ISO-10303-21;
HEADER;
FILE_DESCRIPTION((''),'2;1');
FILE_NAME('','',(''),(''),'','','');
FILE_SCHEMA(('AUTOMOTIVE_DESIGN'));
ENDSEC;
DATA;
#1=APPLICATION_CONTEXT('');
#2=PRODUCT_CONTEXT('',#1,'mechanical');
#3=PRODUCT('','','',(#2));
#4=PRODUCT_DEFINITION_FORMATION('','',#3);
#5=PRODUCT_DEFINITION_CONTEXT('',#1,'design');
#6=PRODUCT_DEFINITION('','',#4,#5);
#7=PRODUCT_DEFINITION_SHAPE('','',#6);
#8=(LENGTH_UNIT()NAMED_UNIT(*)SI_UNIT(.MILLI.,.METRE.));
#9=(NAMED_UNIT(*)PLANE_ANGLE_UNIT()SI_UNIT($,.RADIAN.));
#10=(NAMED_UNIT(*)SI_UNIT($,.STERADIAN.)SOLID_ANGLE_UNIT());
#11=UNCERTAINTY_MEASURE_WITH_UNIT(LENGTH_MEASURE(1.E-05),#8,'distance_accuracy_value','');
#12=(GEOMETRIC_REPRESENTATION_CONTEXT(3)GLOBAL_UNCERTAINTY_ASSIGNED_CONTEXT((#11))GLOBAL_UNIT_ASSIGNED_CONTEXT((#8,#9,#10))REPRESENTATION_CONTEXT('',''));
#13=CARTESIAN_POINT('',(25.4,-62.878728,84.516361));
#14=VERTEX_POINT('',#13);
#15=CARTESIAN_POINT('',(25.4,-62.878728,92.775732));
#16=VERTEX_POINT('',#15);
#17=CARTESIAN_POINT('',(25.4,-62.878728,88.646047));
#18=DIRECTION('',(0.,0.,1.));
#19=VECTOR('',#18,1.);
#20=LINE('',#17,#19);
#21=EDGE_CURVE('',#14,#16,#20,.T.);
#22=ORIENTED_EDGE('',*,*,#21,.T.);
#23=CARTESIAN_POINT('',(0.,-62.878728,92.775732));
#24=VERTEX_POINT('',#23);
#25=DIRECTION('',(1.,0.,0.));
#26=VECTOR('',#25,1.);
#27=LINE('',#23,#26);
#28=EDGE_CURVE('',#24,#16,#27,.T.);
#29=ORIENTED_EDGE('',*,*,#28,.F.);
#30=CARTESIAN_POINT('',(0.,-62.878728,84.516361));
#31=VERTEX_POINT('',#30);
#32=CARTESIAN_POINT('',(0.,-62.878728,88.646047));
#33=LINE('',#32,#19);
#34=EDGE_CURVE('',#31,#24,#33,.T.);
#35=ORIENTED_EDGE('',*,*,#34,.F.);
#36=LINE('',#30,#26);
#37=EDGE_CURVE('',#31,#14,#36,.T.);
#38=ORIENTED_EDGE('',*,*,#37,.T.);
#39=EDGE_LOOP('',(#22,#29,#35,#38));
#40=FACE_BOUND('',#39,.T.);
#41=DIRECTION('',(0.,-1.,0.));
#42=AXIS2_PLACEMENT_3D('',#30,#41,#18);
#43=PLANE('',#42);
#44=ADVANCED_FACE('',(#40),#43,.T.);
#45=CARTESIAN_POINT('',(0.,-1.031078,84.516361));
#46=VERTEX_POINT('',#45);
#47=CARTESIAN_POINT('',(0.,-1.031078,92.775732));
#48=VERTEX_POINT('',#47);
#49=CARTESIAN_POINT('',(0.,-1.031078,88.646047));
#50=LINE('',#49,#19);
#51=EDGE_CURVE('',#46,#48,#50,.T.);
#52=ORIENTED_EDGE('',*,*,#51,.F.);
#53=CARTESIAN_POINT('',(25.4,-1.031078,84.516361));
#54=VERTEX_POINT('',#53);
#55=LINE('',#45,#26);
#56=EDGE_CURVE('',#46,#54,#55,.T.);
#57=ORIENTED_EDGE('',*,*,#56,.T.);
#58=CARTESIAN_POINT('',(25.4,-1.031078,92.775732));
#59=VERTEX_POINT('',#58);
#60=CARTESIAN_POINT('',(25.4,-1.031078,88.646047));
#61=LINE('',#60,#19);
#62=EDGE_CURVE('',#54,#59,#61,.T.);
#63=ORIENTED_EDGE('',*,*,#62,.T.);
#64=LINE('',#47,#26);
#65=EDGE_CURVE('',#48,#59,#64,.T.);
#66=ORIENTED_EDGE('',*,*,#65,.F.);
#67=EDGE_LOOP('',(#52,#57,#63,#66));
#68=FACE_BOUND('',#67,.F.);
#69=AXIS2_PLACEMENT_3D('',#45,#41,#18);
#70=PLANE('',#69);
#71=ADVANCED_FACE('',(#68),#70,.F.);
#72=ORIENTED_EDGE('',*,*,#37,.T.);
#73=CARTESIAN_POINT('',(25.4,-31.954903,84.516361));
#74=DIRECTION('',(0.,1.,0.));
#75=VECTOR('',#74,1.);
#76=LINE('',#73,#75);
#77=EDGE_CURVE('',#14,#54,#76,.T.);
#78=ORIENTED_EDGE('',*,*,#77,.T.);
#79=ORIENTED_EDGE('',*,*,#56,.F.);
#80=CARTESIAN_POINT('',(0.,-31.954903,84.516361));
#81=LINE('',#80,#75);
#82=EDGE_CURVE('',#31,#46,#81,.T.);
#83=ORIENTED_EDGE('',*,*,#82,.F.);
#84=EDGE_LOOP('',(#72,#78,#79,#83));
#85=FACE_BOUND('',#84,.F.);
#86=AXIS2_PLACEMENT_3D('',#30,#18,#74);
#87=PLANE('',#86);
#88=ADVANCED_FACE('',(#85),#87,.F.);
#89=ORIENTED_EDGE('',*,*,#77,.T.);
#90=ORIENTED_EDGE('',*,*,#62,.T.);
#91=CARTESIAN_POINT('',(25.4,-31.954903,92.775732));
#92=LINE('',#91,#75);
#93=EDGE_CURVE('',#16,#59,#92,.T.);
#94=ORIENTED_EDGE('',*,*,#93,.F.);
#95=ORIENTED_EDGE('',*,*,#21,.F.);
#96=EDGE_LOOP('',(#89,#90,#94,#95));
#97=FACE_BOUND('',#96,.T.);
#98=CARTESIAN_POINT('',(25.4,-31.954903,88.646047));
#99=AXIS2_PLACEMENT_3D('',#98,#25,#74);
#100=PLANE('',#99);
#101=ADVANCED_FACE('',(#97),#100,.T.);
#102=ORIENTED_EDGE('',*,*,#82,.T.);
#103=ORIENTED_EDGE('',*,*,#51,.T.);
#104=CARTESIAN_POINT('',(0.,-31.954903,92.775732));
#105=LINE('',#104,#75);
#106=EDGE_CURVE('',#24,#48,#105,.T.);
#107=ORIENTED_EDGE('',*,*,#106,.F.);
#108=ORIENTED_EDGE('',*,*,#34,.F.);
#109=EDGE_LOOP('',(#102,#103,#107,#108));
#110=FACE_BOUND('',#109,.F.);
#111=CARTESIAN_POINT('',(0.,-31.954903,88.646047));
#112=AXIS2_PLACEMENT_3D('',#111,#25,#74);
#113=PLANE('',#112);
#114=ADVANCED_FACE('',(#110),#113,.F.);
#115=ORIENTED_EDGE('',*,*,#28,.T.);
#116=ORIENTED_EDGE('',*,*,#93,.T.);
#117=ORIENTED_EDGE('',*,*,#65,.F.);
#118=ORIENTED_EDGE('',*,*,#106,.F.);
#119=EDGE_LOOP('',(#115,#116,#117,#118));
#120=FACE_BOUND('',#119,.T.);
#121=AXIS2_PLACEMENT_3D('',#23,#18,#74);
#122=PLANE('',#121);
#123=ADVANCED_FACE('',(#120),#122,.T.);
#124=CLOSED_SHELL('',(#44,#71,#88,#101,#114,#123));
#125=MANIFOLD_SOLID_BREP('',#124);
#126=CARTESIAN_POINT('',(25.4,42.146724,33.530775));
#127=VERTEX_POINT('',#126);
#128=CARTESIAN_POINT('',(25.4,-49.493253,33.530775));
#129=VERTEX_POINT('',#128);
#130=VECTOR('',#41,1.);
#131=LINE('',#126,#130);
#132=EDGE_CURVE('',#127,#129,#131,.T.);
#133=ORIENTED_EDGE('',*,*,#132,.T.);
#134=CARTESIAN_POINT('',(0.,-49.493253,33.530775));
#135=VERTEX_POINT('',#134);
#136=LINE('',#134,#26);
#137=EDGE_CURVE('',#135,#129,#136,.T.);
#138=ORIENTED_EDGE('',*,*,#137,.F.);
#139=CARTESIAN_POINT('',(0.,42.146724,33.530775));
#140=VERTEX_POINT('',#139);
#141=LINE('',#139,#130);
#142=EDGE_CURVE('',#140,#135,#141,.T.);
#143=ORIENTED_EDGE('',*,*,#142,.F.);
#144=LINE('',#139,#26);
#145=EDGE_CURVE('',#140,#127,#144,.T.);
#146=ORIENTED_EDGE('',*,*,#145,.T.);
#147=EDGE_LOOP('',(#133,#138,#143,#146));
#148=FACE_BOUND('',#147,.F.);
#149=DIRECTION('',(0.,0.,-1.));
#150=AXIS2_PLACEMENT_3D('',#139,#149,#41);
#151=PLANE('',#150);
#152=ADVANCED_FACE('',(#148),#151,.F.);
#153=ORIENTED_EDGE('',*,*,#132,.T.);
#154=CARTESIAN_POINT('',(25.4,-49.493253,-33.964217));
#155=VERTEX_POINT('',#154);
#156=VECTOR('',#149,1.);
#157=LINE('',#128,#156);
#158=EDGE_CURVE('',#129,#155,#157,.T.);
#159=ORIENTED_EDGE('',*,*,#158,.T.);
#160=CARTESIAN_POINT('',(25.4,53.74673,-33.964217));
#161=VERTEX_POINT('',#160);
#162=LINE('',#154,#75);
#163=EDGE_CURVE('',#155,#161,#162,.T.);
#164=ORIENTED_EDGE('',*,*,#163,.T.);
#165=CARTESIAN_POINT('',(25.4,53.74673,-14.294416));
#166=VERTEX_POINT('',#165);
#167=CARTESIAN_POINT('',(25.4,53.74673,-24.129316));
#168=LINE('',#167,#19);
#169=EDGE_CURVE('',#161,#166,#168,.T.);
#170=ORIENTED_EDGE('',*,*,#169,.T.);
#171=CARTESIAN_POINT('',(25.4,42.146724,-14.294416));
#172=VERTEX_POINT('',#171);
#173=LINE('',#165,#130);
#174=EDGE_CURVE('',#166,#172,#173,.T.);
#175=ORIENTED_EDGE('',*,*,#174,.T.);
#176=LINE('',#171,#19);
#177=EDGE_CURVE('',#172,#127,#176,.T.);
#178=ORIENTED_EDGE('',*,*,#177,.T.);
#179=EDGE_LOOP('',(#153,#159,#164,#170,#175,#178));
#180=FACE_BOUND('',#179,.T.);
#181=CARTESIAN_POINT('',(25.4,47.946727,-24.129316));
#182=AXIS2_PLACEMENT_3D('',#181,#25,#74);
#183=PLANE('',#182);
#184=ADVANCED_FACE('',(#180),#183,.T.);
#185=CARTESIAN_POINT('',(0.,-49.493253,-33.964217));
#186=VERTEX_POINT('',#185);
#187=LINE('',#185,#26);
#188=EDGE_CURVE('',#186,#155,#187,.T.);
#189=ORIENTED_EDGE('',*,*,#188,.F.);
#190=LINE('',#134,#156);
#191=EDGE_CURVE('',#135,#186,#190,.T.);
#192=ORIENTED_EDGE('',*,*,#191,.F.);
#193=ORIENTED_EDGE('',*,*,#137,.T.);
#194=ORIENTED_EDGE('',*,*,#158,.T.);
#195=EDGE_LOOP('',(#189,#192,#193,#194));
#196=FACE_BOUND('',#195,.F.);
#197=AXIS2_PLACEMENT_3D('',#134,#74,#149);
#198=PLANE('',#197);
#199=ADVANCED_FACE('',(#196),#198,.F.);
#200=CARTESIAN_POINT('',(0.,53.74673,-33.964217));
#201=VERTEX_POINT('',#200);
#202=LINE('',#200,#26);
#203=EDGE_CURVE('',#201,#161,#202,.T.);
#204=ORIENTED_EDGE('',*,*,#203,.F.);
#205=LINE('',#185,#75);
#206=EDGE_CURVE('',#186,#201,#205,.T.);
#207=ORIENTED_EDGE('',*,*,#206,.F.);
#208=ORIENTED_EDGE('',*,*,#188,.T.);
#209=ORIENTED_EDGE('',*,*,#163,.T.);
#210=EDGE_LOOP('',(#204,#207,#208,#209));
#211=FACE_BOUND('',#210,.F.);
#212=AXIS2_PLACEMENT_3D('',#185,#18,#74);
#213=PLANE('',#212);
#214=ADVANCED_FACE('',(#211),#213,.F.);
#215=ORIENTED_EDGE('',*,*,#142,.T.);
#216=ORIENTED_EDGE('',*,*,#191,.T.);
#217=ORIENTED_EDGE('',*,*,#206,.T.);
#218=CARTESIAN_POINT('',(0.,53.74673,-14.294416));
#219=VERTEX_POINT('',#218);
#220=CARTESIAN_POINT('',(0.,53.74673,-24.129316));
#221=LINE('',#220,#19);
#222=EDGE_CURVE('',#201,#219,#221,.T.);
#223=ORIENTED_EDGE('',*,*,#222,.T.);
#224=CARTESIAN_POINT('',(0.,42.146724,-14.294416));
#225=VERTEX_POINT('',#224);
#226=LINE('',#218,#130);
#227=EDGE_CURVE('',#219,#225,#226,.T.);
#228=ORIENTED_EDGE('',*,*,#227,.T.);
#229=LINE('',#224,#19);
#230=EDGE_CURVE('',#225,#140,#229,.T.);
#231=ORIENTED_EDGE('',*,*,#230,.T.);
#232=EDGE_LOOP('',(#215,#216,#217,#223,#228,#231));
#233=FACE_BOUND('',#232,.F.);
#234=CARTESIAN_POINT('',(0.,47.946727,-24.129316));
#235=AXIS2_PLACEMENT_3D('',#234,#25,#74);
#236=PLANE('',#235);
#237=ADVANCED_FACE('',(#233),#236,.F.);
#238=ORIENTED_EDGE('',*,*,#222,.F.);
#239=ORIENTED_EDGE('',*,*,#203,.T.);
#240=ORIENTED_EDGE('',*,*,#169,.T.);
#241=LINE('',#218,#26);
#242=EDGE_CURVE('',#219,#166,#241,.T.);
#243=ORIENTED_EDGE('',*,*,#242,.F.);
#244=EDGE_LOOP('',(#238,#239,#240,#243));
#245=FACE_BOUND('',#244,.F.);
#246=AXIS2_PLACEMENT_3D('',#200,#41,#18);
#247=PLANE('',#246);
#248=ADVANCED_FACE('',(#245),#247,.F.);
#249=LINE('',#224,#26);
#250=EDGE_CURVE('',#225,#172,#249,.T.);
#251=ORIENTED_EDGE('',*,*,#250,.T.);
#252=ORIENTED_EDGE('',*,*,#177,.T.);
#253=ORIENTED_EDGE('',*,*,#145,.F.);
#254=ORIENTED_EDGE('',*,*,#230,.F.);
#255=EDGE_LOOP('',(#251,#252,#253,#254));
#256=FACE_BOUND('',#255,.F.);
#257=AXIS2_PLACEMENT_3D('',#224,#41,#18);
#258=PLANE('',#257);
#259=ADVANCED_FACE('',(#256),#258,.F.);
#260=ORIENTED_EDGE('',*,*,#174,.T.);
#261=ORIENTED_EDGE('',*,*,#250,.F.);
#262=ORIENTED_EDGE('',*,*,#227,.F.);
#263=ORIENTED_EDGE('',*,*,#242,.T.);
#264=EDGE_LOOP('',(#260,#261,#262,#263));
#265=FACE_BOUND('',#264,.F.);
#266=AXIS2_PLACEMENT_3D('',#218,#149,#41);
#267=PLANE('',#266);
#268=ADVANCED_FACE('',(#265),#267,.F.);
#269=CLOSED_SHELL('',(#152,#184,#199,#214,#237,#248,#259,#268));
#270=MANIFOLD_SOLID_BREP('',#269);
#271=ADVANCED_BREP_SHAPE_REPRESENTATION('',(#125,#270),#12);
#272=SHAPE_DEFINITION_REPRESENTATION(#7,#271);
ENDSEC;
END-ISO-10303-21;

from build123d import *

# Parameters (mm, degrees)
F0_W     = 11.6000063717
F0_H     = 19.6698009968
F1_DEPTH = 25.4
F0_W_2   = 61.8476495147
F0_H_2   = 8.259370923


with BuildPart() as f1:
    # F0 (on Right) → F1 (new body)
    with BuildSketch(Plane.YZ):
        with Locations((47.9467269033, -24.1293162107)):
            Rectangle(F0_W, F0_H)
        with Locations((36.3467205316, -24.1293162107)):
            Rectangle(F0_W, F0_H)
        Polygon((-49.493253231, -33.9642167091), (30.5467173457, -33.9642167091), (30.5467173457, -14.2944157124), (42.1467237175, -14.2944157124), (42.1467237175, 33.5307754576), (-49.493253231, 33.5307754576), align=None)
    extrude(amount=F1_DEPTH)


with BuildPart() as f1b:
    # F0 (on Right) → F1, piece 2 (new body)
    with BuildSketch(Plane.YZ):
        with Locations((-31.9549031556, 88.6460468173)):
            Rectangle(F0_W_2, F0_H_2)
    extrude(amount=F1_DEPTH)


solid = Compound([f1.part, f1b.part])
